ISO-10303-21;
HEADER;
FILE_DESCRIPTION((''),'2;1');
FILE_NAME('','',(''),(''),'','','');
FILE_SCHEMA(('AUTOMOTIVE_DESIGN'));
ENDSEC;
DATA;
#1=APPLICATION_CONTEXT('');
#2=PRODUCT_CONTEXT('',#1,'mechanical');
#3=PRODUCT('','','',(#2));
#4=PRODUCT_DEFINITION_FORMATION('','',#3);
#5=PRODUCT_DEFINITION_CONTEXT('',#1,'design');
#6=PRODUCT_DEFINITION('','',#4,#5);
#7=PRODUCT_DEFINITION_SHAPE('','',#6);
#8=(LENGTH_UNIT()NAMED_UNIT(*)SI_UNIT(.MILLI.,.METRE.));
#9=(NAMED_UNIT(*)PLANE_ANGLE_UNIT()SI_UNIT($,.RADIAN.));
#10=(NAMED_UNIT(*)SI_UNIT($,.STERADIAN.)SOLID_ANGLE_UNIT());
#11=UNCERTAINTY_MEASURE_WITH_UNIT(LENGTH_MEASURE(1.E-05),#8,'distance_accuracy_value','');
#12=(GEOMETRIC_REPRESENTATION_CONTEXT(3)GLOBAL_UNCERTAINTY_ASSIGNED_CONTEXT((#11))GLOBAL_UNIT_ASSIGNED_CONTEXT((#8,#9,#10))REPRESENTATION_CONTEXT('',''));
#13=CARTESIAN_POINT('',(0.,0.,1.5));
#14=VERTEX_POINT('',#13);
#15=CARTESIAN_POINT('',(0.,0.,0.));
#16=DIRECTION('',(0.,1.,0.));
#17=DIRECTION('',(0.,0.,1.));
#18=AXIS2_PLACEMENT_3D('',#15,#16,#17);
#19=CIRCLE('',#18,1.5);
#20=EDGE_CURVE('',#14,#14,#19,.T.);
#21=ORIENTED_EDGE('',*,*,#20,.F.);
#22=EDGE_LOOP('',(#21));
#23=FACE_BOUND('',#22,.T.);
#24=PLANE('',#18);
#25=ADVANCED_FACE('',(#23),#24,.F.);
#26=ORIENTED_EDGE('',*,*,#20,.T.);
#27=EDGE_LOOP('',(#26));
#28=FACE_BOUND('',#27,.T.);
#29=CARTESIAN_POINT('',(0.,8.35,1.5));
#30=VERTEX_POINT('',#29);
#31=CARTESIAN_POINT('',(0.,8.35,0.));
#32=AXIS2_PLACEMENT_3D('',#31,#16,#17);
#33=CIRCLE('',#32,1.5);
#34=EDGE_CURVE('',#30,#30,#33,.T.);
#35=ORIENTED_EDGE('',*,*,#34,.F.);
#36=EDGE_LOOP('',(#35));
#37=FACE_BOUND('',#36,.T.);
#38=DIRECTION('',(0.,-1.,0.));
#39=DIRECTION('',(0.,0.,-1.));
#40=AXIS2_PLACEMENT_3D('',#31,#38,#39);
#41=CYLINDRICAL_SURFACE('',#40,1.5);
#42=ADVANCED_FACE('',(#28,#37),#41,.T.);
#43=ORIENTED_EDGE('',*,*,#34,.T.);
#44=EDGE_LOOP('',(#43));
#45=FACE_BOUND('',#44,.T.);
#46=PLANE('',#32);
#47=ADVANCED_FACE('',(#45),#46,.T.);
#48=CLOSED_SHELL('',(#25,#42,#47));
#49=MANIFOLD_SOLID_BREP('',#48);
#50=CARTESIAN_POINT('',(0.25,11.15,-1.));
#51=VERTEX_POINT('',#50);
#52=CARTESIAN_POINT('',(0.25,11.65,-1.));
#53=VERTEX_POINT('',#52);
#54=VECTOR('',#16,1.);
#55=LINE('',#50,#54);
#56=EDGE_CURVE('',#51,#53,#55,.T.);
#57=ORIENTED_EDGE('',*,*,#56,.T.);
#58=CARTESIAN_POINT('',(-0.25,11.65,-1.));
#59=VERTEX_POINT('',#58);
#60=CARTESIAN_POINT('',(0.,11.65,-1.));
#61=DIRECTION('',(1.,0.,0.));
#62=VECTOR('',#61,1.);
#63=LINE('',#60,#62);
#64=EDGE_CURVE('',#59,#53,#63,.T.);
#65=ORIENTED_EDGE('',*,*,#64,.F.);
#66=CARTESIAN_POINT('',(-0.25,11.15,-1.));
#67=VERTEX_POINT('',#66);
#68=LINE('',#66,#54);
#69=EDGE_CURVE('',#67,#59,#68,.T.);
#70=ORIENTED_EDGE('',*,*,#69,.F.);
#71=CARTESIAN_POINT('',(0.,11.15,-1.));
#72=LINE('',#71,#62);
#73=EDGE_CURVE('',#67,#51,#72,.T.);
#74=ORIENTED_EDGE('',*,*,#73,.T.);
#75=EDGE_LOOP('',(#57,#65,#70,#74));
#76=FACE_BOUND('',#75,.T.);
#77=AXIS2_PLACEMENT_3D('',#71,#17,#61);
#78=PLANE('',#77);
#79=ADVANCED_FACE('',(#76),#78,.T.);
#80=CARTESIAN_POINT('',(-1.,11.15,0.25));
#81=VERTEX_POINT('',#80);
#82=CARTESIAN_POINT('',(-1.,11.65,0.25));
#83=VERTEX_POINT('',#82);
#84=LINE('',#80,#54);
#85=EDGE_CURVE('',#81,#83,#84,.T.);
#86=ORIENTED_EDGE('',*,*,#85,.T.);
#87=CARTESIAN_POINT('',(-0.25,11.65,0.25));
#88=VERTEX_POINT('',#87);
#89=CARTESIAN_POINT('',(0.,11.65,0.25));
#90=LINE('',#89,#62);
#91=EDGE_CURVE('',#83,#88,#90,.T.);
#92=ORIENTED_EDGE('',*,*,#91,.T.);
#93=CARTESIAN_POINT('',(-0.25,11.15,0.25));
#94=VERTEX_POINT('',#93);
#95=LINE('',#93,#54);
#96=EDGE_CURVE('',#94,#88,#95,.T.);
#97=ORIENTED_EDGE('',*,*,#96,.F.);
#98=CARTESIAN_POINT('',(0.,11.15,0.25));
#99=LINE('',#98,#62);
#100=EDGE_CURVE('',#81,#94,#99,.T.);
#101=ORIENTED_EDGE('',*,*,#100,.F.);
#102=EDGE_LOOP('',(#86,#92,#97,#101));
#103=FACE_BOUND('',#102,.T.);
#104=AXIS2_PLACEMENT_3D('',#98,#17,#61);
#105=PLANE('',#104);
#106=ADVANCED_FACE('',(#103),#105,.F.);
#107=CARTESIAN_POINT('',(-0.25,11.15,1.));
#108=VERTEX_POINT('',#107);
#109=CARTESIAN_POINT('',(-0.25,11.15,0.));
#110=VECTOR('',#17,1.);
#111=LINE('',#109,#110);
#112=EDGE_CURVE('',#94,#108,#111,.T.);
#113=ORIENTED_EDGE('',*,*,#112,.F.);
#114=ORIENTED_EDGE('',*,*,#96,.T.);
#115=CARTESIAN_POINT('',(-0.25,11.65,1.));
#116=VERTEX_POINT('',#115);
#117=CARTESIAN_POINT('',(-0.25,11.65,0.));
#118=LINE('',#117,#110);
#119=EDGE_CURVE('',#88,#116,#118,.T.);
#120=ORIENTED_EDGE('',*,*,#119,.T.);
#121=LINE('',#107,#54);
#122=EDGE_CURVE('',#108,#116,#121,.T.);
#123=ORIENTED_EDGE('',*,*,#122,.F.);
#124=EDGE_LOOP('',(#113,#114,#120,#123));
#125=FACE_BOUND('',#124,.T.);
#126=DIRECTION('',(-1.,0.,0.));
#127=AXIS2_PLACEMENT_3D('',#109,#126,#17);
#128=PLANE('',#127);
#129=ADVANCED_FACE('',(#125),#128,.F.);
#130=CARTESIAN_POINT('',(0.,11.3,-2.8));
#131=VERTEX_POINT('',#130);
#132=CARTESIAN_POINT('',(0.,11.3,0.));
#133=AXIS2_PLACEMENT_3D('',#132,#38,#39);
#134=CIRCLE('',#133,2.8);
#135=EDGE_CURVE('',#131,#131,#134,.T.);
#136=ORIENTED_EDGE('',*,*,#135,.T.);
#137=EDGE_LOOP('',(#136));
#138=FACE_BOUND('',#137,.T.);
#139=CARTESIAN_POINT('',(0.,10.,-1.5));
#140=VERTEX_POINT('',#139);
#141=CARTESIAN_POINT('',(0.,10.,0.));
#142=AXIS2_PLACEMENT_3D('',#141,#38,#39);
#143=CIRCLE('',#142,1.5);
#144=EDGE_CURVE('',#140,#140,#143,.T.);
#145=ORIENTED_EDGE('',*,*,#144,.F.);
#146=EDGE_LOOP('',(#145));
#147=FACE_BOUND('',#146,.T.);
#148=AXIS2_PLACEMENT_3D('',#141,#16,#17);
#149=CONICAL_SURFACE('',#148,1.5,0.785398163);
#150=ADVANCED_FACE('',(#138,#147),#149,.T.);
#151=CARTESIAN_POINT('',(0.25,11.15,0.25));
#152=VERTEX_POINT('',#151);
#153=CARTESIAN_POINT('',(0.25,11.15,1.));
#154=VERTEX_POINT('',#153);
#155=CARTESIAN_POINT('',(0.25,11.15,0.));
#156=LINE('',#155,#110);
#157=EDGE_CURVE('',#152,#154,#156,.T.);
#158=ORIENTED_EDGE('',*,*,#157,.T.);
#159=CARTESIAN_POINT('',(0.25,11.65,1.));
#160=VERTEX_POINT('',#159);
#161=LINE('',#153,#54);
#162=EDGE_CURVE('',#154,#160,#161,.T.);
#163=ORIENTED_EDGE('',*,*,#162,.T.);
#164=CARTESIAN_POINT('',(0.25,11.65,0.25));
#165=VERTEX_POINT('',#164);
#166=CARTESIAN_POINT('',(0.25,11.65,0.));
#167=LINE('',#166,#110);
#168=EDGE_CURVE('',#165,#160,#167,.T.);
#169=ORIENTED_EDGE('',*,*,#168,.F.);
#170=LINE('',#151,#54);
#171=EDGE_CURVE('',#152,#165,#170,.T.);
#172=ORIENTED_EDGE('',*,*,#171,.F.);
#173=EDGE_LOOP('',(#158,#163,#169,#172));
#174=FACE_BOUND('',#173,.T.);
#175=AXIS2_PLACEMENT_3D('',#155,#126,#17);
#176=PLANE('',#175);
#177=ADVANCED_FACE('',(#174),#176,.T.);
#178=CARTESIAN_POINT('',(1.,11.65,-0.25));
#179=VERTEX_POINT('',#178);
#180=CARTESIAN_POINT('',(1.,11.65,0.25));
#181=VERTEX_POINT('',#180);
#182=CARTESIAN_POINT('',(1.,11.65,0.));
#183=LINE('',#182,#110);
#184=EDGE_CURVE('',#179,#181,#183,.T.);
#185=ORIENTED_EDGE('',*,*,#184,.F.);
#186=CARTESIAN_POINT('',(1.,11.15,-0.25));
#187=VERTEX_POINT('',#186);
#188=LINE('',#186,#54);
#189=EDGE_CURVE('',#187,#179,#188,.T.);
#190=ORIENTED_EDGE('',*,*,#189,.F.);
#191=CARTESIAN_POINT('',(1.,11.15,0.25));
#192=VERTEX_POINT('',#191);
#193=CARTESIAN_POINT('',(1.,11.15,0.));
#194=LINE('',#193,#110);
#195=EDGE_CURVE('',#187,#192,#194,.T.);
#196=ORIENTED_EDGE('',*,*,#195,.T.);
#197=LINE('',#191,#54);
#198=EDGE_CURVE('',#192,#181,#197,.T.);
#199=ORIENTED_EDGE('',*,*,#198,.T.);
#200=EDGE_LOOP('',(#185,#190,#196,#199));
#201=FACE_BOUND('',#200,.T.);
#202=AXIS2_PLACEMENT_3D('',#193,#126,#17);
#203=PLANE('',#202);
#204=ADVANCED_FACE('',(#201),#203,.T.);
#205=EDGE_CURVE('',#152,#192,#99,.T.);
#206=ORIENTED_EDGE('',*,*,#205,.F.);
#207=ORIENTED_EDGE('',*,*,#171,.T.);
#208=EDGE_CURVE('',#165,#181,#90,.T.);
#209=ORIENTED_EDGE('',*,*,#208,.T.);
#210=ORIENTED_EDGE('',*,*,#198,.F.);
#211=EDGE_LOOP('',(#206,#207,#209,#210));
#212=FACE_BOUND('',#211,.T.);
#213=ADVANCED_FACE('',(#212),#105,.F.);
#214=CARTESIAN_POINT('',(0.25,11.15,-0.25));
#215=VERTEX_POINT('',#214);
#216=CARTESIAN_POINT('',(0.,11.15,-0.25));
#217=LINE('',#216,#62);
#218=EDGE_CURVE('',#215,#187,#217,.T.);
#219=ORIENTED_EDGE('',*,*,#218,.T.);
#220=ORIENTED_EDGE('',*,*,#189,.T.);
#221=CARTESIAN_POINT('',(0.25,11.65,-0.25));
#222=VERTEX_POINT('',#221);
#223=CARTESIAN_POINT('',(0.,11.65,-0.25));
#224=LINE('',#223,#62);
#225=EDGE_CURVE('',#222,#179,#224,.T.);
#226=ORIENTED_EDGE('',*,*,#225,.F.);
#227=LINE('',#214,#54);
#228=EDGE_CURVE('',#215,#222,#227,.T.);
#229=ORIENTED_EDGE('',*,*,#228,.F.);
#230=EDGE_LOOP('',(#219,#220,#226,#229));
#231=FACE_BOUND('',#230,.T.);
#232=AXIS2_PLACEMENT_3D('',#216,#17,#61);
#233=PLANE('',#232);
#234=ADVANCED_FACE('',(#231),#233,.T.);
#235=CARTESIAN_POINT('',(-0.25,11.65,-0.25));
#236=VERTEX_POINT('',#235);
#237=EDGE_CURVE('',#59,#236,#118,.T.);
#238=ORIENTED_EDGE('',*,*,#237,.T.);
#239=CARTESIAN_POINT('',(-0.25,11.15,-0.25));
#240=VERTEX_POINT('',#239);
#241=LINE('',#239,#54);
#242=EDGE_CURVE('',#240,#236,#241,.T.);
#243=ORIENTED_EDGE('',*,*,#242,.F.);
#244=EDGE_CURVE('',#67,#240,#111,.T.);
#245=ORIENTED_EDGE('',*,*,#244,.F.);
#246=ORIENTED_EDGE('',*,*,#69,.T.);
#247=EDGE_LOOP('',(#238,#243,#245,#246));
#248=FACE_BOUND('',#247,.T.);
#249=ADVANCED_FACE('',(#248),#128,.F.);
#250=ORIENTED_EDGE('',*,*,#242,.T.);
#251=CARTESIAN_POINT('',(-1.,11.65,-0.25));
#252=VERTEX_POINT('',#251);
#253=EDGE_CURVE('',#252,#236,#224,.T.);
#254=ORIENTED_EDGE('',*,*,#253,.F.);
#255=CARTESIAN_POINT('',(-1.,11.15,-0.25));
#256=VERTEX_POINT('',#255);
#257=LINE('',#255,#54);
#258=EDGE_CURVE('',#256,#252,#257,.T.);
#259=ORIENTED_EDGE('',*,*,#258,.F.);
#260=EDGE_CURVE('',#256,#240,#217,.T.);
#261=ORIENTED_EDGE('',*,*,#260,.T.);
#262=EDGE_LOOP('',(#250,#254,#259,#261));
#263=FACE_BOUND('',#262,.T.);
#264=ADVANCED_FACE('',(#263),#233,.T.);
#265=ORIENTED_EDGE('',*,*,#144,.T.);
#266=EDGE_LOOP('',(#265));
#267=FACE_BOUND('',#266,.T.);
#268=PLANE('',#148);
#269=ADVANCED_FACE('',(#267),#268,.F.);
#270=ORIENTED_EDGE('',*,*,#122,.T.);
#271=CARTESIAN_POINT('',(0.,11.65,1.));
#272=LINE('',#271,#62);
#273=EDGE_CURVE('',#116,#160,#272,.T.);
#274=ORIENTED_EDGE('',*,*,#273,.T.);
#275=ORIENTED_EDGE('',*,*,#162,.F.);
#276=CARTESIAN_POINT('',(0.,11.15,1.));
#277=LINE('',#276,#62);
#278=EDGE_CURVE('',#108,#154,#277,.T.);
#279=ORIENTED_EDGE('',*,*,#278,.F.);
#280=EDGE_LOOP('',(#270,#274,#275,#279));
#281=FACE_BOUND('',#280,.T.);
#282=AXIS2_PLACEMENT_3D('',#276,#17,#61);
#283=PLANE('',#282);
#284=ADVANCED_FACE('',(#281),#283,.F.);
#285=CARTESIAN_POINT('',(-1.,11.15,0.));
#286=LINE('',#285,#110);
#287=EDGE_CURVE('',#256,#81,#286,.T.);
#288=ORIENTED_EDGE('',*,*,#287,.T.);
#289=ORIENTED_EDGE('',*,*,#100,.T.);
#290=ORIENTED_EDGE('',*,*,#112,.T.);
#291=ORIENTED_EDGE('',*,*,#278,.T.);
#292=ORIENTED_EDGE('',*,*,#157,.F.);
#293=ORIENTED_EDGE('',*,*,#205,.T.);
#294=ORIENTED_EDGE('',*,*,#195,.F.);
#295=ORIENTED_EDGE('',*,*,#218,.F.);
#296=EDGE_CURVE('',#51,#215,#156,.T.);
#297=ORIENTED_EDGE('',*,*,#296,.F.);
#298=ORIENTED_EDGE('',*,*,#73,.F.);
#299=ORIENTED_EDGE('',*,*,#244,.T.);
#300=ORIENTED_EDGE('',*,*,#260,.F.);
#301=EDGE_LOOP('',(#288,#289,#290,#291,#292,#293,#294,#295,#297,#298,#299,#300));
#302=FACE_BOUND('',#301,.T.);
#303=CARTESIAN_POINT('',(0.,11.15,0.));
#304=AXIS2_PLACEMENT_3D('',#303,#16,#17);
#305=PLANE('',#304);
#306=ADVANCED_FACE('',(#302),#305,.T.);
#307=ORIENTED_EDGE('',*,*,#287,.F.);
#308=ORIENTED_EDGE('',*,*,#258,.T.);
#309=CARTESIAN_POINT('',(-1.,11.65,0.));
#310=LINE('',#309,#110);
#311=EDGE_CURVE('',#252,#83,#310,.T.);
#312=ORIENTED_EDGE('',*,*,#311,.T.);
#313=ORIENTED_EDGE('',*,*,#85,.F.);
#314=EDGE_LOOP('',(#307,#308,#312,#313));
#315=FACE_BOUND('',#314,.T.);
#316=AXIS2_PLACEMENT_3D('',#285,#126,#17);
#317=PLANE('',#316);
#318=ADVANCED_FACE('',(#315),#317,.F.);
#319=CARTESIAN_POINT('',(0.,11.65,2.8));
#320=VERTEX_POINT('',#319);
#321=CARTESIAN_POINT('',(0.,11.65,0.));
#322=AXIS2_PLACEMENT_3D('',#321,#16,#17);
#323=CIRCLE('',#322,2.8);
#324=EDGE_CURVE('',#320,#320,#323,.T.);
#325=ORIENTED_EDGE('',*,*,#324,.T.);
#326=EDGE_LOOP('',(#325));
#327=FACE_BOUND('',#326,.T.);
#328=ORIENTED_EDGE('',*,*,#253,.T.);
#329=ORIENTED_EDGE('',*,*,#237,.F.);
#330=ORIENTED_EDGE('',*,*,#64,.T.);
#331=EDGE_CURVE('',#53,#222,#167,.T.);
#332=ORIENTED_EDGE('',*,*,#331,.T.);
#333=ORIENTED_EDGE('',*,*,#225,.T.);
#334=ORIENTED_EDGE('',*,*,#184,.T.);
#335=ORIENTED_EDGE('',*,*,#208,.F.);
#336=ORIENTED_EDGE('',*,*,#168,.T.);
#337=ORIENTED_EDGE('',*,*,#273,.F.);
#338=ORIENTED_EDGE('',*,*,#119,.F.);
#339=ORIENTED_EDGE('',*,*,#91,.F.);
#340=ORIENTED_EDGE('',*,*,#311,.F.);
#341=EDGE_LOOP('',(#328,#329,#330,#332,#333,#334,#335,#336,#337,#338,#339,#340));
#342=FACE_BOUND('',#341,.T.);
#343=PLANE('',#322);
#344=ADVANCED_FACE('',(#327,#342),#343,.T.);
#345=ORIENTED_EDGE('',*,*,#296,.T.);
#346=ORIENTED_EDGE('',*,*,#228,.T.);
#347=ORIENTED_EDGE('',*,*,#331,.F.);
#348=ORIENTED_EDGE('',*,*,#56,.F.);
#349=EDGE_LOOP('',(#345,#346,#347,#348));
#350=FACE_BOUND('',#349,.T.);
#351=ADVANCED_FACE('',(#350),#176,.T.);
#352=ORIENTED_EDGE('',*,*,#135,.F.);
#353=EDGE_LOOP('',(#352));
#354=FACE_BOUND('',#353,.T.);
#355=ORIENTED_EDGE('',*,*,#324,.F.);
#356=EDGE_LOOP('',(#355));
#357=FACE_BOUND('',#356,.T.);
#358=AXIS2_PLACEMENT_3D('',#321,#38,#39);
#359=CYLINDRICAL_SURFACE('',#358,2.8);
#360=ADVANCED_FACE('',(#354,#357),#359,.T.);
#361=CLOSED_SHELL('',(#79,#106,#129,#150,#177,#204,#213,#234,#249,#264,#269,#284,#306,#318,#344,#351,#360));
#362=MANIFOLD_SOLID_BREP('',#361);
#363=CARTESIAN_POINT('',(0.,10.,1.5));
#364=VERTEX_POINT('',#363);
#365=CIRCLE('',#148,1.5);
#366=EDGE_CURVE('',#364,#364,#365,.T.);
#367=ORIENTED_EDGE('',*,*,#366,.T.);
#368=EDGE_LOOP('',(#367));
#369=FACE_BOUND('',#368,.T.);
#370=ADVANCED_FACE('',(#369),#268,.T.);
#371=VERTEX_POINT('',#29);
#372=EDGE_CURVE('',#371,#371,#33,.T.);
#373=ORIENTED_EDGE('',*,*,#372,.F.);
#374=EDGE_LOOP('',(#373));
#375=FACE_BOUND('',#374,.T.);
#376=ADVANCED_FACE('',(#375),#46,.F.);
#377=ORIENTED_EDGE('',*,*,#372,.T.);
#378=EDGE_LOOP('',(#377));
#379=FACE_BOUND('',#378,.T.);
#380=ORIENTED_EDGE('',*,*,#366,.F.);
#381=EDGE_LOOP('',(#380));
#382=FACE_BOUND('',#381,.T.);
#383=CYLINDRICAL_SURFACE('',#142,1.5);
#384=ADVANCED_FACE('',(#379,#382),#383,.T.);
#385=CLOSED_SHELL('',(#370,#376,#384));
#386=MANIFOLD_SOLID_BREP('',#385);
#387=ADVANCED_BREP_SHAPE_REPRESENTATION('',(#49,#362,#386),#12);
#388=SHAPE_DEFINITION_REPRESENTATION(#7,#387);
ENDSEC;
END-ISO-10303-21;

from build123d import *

# Parameters (mm, degrees)
SKETCH1_R           = 1.5
BOSS_EXTRUDE1_DEPTH = 8.35
SKETCH2_R           = 1.5
BOSS_EXTRUDE2_DEPTH = 1.65
SKETCH3_R           = 2.8
BOSS_EXTRUDE3_DEPTH = 1.65
SKETCH7_W           = 0.5
SKETCH7_H           = 0.75
SKETCH7_H_2         = 0.5
SKETCH7_W_2         = 0.75
CUT_EXTRUDE2_DEPTH  = 0.5


with BuildPart() as part:
    # Sketch1 → Boss-Extrude1 (new body)
    with BuildSketch(Plane(origin=(0, 0, 0), x_dir=(1, 0, 0), z_dir=(0, 1, 0))):
        with Locations(Location((0, 0, 0), (0, 0, 270))):
            Circle(SKETCH1_R)
    extrude(amount=BOSS_EXTRUDE1_DEPTH)


with BuildPart() as body_2:
    # Sketch2 → Boss-Extrude2 (new body)
    with BuildSketch(Plane(origin=(0, 8.35, 0), x_dir=(1, 0, 0), z_dir=(0, 1, 0))):
        with Locations(Location((0, 0, 0), (0, 0, 270))):
            Circle(SKETCH2_R)
    extrude(amount=BOSS_EXTRUDE2_DEPTH)


with BuildPart() as body_3:
    # Sketch3 → Boss-Extrude3 (new body)
    with BuildSketch(Plane(origin=(0, 10, 0), x_dir=(1, 0, 0), z_dir=(0, 1, 0))):
        with Locations(Location((0, 0, 0), (0, 0, 270))):
            Circle(SKETCH3_R)
    extrude(amount=BOSS_EXTRUDE3_DEPTH)

    # Sketch6 → Cut-Revolve1 (revolve, cut)
    with BuildSketch(Plane.XY, mode=Mode.PRIVATE) as cut_revolve1_sk:
        Polygon((1.5, 10), (2.8, 10), (2.8, 11.3), align=None)
    revolve(cut_revolve1_sk.sketch.rotate(Axis((0, 0, 0), (0, 1, 0)), 90), axis=Axis((0, 0, 0), (0, 1, 0)), mode=Mode.SUBTRACT)

    # Sketch7 → Cut-Extrude2 (cut)
    with BuildSketch(Plane(origin=(0, 11.65, 0), x_dir=(1, 0, 0), z_dir=(0, 1, 0))):
        with Locations((0, 0.625)):
            Rectangle(SKETCH7_W, SKETCH7_H)
        Rectangle(SKETCH7_W, SKETCH7_H_2)
        with Locations((0.625, 0)):
            Rectangle(SKETCH7_W_2, SKETCH7_H_2)
        with Locations((0, -0.625)):
            Rectangle(SKETCH7_W, SKETCH7_H)
        with Locations((-0.625, 0)):
            Rectangle(SKETCH7_W_2, SKETCH7_H_2)
    extrude(amount=-CUT_EXTRUDE2_DEPTH, mode=Mode.SUBTRACT)


solid = Compound([part.part, body_2.part, body_3.part])
